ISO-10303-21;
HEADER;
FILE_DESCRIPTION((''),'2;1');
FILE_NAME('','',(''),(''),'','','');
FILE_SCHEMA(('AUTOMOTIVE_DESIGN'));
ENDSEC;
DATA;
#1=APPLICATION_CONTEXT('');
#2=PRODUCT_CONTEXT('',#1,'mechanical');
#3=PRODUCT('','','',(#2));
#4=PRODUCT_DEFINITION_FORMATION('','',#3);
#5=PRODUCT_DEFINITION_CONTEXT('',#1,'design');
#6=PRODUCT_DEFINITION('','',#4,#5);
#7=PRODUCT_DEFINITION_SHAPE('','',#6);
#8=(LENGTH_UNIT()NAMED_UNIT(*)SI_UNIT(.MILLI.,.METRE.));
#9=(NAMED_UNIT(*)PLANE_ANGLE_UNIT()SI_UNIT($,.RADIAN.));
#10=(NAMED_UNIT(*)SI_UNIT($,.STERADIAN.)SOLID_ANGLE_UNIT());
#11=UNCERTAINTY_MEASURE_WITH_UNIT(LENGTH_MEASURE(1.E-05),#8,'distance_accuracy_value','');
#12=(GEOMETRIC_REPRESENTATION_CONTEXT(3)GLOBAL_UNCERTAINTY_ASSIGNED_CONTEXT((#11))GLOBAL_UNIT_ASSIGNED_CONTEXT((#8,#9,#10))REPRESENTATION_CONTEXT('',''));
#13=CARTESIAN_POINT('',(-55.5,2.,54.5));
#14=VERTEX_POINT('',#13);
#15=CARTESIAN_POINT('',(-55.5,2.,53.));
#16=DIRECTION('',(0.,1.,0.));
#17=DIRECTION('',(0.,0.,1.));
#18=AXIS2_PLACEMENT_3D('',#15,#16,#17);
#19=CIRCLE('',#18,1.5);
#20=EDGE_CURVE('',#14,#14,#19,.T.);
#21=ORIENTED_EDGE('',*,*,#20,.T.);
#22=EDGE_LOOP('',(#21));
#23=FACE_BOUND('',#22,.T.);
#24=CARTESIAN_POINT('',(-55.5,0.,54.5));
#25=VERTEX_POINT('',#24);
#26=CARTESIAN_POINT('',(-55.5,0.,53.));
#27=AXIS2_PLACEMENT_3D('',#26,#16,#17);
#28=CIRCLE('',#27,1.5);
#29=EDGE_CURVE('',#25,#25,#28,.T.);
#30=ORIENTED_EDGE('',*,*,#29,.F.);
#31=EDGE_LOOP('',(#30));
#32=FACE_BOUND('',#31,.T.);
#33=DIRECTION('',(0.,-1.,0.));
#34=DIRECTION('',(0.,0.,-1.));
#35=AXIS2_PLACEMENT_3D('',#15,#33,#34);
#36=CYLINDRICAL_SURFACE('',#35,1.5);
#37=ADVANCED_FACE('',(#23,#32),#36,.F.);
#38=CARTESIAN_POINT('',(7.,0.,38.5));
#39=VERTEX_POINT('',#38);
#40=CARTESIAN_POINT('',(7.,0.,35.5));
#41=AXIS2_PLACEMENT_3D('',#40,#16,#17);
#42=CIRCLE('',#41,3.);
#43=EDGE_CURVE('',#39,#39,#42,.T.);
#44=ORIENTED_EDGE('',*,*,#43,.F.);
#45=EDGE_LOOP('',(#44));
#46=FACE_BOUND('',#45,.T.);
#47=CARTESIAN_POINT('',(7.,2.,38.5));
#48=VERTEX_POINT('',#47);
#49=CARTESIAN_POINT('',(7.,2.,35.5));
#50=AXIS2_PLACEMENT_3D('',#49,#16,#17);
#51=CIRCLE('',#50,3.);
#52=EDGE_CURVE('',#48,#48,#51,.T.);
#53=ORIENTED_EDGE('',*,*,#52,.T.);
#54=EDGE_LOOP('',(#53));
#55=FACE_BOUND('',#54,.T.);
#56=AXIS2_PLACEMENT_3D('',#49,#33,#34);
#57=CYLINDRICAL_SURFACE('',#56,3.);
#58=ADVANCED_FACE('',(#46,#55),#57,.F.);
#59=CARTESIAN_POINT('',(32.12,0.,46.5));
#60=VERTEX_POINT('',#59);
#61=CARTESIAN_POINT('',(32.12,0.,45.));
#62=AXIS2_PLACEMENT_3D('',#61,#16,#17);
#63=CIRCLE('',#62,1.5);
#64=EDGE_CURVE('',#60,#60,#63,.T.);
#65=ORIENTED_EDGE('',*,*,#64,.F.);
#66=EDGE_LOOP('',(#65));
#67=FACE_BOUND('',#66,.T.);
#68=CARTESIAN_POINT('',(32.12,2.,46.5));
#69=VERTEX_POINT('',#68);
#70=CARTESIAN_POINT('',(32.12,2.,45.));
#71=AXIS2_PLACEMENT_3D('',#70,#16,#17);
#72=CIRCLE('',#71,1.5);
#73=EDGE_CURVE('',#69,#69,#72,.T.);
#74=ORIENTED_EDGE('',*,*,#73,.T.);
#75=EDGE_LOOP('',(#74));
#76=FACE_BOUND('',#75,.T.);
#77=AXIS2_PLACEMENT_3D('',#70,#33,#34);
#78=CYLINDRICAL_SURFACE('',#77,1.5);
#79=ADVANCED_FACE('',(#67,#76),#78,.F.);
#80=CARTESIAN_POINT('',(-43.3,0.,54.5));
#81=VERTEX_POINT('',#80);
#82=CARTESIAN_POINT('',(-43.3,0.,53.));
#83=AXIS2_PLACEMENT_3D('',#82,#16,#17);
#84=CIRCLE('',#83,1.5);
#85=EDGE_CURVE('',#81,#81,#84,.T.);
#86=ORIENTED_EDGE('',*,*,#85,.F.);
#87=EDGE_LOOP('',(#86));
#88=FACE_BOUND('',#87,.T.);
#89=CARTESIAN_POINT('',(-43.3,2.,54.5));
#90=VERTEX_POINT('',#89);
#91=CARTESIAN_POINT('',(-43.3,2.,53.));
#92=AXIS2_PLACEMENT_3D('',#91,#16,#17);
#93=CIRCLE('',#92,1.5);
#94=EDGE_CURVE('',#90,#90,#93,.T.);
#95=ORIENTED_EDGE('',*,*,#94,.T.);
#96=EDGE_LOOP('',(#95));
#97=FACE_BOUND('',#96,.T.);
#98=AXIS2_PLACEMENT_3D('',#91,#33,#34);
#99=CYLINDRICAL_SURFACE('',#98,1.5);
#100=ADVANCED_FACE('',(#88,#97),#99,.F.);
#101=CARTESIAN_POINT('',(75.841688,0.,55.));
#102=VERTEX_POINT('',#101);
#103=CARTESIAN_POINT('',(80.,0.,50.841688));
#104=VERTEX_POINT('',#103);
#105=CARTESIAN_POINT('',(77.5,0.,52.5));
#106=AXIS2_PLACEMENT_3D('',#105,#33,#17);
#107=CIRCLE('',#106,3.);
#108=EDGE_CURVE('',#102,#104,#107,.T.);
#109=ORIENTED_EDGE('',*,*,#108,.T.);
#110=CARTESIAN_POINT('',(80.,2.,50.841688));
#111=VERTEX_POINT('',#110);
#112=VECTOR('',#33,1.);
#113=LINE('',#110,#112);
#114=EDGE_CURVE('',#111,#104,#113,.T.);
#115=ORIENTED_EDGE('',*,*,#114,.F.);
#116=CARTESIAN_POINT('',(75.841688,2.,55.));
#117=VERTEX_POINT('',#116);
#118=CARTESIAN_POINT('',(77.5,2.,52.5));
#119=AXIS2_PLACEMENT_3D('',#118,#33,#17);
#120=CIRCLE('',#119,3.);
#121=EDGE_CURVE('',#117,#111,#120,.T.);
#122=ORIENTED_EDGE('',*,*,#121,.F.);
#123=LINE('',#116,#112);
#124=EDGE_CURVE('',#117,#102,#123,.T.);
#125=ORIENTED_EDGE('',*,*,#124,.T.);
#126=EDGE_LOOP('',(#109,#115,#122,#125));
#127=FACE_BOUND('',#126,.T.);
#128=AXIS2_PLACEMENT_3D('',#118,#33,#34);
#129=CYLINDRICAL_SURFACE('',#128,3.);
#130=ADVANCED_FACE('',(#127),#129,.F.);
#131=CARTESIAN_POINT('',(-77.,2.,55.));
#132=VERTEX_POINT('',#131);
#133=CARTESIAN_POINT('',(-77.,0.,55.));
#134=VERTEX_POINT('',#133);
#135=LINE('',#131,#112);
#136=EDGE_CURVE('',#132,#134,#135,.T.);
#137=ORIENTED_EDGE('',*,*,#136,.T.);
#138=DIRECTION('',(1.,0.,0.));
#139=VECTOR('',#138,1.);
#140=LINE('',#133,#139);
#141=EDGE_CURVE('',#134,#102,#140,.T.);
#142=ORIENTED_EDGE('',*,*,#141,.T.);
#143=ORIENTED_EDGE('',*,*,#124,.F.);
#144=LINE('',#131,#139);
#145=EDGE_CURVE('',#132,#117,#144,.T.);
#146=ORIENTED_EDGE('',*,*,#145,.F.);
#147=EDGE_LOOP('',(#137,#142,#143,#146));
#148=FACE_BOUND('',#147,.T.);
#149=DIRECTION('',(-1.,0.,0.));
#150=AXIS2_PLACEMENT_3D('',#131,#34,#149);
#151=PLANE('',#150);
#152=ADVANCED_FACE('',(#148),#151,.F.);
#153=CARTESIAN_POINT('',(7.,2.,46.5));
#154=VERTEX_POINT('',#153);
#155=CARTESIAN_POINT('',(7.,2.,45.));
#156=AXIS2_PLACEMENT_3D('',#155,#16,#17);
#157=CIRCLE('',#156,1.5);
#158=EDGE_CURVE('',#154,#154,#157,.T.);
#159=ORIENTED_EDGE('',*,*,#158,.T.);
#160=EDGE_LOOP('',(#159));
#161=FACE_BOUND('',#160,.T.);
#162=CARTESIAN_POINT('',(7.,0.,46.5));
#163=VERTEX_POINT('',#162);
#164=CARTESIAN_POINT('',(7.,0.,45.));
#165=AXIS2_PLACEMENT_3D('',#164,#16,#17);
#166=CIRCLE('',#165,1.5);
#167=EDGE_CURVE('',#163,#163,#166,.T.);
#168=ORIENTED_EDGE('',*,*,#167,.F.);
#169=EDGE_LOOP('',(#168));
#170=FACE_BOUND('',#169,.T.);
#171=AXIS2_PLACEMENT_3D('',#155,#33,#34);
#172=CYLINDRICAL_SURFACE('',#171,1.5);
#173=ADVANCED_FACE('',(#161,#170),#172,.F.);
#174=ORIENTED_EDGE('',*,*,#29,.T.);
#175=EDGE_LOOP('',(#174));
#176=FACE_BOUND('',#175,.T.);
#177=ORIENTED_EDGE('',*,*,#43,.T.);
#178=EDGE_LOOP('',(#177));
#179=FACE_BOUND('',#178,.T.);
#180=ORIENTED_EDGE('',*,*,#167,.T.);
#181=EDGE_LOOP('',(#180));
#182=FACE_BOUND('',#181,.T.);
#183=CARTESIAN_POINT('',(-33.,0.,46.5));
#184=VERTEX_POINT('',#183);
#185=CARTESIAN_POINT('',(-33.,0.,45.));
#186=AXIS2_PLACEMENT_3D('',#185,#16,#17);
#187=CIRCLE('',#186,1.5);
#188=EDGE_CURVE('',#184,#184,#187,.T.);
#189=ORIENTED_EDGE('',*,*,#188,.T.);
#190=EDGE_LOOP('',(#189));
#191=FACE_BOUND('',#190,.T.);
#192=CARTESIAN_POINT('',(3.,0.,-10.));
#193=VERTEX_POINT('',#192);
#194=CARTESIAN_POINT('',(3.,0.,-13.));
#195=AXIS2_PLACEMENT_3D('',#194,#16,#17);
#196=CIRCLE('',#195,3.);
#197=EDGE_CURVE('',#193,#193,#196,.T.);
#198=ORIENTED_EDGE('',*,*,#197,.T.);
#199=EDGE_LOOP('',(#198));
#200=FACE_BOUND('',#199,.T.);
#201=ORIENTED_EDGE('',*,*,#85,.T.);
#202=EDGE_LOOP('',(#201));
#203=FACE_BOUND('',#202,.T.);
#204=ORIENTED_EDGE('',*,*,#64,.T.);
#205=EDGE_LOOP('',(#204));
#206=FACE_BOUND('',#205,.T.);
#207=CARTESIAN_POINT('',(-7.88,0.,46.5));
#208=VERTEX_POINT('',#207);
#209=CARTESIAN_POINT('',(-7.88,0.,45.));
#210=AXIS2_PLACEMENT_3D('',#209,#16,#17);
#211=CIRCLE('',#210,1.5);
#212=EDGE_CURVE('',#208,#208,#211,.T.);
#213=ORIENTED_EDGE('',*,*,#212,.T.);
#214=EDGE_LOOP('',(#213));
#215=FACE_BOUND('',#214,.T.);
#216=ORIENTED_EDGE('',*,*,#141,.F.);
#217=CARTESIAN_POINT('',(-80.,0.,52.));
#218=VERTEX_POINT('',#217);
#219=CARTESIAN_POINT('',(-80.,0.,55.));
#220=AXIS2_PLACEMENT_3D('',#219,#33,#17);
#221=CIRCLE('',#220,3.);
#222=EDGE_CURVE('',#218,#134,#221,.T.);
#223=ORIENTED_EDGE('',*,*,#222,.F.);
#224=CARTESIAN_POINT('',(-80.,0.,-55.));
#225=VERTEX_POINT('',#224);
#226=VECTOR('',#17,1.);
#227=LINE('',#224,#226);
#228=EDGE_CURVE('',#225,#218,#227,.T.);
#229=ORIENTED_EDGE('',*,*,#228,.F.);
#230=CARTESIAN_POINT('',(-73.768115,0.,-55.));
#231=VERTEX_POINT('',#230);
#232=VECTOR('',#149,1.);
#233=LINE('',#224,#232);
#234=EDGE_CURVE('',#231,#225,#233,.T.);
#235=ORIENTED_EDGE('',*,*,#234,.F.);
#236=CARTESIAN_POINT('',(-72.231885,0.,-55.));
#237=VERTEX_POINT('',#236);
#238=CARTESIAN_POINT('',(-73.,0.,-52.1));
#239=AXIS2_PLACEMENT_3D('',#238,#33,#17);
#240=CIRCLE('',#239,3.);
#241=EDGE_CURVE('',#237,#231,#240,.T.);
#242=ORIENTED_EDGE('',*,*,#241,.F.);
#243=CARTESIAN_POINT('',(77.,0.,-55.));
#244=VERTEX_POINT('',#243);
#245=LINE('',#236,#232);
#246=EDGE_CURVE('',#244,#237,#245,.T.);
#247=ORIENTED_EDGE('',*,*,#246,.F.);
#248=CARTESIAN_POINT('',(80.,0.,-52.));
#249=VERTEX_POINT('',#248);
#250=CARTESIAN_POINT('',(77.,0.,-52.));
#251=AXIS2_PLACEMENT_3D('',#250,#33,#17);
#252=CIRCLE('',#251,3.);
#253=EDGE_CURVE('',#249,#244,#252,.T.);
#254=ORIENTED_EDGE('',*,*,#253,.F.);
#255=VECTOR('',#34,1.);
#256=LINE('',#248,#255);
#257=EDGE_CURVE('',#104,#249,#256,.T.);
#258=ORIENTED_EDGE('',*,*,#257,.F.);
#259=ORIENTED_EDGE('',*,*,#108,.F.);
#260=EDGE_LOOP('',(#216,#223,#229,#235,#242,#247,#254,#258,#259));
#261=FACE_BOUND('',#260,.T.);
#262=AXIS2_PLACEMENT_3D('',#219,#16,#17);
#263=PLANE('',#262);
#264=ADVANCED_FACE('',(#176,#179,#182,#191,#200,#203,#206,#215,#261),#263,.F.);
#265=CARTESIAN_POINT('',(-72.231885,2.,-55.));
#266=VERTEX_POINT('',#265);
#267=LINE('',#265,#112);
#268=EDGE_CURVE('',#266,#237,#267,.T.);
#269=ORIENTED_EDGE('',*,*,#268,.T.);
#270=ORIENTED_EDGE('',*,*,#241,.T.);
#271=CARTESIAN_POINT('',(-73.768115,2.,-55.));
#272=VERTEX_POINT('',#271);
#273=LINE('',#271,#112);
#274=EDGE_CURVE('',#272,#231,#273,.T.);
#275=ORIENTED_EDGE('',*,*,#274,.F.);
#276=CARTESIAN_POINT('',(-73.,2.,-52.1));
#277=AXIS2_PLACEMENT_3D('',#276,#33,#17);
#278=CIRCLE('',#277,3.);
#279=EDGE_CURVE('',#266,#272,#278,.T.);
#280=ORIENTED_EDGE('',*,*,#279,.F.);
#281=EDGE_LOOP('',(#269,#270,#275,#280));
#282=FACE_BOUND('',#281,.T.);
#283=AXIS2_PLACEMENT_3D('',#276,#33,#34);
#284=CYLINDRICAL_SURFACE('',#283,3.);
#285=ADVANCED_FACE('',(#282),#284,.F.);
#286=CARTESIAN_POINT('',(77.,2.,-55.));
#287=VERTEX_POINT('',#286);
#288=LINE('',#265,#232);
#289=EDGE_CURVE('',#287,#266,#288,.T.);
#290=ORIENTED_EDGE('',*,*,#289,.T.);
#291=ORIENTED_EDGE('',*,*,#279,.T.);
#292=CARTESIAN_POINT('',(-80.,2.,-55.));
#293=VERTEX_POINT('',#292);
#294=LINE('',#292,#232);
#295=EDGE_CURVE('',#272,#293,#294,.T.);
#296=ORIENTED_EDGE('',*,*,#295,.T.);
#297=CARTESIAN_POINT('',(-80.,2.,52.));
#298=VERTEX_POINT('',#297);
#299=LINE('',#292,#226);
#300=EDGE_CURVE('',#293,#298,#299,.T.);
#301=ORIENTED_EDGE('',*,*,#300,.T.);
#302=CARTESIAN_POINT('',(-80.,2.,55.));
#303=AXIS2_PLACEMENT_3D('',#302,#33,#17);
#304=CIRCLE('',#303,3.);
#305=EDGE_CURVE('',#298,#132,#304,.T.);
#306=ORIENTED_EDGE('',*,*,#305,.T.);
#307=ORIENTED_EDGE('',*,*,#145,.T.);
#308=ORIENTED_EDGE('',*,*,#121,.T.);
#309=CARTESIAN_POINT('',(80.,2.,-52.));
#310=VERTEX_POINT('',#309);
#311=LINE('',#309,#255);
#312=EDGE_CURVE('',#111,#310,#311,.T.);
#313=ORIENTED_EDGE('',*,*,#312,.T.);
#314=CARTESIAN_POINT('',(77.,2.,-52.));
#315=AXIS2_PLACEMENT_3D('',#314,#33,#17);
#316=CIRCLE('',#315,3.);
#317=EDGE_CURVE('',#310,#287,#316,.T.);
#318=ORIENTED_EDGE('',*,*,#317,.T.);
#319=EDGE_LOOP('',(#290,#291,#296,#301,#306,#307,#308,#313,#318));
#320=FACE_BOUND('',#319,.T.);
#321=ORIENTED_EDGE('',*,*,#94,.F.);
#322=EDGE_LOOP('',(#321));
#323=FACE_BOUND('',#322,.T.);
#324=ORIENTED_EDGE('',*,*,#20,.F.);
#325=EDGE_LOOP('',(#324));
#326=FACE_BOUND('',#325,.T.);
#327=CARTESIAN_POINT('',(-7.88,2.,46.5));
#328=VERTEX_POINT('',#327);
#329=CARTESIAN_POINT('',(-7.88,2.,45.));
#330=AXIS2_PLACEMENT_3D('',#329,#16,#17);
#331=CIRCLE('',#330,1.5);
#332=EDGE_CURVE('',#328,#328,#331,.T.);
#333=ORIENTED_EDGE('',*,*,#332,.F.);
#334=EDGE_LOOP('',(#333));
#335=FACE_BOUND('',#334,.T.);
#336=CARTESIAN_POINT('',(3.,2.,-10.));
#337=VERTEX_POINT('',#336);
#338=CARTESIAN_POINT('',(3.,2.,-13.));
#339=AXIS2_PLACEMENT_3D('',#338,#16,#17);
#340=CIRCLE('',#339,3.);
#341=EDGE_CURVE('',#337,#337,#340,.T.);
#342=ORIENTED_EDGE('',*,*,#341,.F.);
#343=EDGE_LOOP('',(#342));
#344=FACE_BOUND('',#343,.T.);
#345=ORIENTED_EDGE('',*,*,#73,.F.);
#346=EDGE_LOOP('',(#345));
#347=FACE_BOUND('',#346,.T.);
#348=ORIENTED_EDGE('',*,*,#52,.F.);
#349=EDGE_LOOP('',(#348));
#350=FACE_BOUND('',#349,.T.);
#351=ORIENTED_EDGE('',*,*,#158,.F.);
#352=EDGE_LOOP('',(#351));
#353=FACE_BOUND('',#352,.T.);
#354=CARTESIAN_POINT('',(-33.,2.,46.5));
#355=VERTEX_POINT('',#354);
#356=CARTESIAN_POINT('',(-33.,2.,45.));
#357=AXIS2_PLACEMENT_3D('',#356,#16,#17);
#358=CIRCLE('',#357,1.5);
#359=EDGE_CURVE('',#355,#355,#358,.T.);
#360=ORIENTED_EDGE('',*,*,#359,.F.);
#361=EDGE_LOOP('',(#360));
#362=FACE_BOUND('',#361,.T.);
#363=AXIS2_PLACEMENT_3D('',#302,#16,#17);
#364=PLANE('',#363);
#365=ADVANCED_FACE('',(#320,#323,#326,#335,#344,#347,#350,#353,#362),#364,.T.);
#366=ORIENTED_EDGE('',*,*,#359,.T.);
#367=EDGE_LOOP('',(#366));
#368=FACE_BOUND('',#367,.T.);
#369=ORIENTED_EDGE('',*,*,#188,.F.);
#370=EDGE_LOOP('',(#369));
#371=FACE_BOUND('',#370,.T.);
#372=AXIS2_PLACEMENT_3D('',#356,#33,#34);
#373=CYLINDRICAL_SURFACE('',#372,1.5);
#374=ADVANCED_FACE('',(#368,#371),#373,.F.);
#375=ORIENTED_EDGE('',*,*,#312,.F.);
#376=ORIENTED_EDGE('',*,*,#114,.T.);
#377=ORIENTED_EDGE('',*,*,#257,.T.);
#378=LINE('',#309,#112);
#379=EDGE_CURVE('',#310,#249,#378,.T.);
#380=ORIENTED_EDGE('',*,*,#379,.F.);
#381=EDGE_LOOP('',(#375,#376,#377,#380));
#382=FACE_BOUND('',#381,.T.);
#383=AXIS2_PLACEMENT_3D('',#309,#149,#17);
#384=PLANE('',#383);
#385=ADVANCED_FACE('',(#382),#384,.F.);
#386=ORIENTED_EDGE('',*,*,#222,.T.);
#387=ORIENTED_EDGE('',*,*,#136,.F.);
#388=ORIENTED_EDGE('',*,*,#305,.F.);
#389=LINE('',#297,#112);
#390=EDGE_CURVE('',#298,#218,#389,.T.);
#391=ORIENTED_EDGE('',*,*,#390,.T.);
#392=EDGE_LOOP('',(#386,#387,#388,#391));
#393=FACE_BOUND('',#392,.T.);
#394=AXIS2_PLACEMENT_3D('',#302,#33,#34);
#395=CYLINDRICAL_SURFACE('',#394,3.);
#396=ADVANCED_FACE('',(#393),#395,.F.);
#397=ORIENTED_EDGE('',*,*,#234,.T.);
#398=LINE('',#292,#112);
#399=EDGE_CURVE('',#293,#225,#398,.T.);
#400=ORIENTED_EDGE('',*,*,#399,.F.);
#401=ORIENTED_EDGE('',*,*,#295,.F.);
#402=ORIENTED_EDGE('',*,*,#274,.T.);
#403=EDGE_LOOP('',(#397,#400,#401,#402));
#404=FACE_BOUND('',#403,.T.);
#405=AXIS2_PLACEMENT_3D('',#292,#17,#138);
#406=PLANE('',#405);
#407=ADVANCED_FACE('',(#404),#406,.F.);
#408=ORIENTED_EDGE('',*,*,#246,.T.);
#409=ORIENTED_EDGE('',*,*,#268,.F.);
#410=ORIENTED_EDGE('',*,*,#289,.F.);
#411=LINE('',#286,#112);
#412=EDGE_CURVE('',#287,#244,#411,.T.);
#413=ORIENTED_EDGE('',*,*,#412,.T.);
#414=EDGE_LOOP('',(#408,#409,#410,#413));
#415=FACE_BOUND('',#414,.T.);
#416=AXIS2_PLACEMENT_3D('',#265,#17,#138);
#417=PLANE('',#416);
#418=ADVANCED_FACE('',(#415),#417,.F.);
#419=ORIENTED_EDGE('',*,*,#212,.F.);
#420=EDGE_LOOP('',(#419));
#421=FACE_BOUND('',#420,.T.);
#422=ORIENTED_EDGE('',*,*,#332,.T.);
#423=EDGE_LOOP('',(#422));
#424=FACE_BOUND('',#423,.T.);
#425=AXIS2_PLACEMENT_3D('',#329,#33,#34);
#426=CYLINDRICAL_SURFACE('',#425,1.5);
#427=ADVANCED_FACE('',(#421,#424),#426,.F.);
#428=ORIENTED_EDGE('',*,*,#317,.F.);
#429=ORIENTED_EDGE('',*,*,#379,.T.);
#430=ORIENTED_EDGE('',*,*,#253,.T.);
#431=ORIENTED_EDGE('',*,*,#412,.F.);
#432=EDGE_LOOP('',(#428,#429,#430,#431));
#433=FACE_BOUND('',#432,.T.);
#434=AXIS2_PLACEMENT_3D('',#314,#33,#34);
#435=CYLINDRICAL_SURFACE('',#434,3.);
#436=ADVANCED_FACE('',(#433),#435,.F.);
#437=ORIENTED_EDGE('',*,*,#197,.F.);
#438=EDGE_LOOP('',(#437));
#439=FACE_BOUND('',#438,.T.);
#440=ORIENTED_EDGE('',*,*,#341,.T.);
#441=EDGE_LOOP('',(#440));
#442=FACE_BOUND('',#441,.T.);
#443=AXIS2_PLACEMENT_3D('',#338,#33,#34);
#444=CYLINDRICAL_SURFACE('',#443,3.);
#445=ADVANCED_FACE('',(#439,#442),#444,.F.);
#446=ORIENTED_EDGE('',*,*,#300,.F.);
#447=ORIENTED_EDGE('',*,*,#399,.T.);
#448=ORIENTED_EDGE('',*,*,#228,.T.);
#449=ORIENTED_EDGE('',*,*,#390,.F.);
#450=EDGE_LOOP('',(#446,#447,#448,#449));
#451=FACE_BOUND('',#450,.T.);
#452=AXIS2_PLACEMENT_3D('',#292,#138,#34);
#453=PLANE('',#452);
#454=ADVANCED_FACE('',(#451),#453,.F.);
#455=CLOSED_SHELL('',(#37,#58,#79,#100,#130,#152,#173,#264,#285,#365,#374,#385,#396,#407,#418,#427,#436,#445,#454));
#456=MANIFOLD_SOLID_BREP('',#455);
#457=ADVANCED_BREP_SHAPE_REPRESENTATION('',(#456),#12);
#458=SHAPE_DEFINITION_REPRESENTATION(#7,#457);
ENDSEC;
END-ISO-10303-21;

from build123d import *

# Parameters (mm, degrees)
IZIM1_R                     = 3
IZIM1_R_2                   = 1.5
Y_KSEKLIK_EKSTR_ZYON1_DEPTH = 2


with BuildPart() as part:
    # Çizim1 → Yükseklik-Ekstrüzyon1 (new body)
    with BuildSketch(Plane(origin=(0, 0, 0), x_dir=(1, 0, 0), z_dir=(0, 1, 0))):
        with BuildLine():
            Line((-80, 55), (-73.768114575, 55))
            ThreePointArc((-73.768114575, 55), (-73, 49.1), (-72.231885425, 55))
            Line((-72.231885425, 55), (77, 55))
            ThreePointArc((77, 55), (74.878679656, 49.878679656), (80, 52))
            Line((80, 52), (80, -50.841687605))
            ThreePointArc((80, -50.841687605), (75.378679656, -50.378679656), (75.841687605, -55))
            Line((75.841687605, -55), (-77, -55))
            ThreePointArc((-77, -55), (-77.878679656, -52.878679656), (-80, -52))
            Line((-80, -52), (-80, 55))
        make_face()
        with Locations(Location((7, -35.5, 0), (0, 0, 270))):
            Circle(IZIM1_R, mode=Mode.SUBTRACT)
        with Locations(Location((3, 13, 0), (0, 0, 270))):
            Circle(IZIM1_R, mode=Mode.SUBTRACT)
        with Locations(Location((-33, -45, 0), (0, 0, 270))):
            Circle(IZIM1_R_2, mode=Mode.SUBTRACT)
        with Locations(Location((-7.88, -45, 0), (0, 0, 270))):
            Circle(IZIM1_R_2, mode=Mode.SUBTRACT)
        with Locations(Location((7, -45, 0), (0, 0, 270))):
            Circle(IZIM1_R_2, mode=Mode.SUBTRACT)
        with Locations(Location((32.12, -45, 0), (0, 0, 270))):
            Circle(IZIM1_R_2, mode=Mode.SUBTRACT)
        with Locations(Location((-55.5, -53, 0), (0, 0, 270))):
            Circle(IZIM1_R_2, mode=Mode.SUBTRACT)
        with Locations(Location((-43.3, -53, 0), (0, 0, 270))):
            Circle(IZIM1_R_2, mode=Mode.SUBTRACT)
    extrude(amount=Y_KSEKLIK_EKSTR_ZYON1_DEPTH)


solid = part.part
